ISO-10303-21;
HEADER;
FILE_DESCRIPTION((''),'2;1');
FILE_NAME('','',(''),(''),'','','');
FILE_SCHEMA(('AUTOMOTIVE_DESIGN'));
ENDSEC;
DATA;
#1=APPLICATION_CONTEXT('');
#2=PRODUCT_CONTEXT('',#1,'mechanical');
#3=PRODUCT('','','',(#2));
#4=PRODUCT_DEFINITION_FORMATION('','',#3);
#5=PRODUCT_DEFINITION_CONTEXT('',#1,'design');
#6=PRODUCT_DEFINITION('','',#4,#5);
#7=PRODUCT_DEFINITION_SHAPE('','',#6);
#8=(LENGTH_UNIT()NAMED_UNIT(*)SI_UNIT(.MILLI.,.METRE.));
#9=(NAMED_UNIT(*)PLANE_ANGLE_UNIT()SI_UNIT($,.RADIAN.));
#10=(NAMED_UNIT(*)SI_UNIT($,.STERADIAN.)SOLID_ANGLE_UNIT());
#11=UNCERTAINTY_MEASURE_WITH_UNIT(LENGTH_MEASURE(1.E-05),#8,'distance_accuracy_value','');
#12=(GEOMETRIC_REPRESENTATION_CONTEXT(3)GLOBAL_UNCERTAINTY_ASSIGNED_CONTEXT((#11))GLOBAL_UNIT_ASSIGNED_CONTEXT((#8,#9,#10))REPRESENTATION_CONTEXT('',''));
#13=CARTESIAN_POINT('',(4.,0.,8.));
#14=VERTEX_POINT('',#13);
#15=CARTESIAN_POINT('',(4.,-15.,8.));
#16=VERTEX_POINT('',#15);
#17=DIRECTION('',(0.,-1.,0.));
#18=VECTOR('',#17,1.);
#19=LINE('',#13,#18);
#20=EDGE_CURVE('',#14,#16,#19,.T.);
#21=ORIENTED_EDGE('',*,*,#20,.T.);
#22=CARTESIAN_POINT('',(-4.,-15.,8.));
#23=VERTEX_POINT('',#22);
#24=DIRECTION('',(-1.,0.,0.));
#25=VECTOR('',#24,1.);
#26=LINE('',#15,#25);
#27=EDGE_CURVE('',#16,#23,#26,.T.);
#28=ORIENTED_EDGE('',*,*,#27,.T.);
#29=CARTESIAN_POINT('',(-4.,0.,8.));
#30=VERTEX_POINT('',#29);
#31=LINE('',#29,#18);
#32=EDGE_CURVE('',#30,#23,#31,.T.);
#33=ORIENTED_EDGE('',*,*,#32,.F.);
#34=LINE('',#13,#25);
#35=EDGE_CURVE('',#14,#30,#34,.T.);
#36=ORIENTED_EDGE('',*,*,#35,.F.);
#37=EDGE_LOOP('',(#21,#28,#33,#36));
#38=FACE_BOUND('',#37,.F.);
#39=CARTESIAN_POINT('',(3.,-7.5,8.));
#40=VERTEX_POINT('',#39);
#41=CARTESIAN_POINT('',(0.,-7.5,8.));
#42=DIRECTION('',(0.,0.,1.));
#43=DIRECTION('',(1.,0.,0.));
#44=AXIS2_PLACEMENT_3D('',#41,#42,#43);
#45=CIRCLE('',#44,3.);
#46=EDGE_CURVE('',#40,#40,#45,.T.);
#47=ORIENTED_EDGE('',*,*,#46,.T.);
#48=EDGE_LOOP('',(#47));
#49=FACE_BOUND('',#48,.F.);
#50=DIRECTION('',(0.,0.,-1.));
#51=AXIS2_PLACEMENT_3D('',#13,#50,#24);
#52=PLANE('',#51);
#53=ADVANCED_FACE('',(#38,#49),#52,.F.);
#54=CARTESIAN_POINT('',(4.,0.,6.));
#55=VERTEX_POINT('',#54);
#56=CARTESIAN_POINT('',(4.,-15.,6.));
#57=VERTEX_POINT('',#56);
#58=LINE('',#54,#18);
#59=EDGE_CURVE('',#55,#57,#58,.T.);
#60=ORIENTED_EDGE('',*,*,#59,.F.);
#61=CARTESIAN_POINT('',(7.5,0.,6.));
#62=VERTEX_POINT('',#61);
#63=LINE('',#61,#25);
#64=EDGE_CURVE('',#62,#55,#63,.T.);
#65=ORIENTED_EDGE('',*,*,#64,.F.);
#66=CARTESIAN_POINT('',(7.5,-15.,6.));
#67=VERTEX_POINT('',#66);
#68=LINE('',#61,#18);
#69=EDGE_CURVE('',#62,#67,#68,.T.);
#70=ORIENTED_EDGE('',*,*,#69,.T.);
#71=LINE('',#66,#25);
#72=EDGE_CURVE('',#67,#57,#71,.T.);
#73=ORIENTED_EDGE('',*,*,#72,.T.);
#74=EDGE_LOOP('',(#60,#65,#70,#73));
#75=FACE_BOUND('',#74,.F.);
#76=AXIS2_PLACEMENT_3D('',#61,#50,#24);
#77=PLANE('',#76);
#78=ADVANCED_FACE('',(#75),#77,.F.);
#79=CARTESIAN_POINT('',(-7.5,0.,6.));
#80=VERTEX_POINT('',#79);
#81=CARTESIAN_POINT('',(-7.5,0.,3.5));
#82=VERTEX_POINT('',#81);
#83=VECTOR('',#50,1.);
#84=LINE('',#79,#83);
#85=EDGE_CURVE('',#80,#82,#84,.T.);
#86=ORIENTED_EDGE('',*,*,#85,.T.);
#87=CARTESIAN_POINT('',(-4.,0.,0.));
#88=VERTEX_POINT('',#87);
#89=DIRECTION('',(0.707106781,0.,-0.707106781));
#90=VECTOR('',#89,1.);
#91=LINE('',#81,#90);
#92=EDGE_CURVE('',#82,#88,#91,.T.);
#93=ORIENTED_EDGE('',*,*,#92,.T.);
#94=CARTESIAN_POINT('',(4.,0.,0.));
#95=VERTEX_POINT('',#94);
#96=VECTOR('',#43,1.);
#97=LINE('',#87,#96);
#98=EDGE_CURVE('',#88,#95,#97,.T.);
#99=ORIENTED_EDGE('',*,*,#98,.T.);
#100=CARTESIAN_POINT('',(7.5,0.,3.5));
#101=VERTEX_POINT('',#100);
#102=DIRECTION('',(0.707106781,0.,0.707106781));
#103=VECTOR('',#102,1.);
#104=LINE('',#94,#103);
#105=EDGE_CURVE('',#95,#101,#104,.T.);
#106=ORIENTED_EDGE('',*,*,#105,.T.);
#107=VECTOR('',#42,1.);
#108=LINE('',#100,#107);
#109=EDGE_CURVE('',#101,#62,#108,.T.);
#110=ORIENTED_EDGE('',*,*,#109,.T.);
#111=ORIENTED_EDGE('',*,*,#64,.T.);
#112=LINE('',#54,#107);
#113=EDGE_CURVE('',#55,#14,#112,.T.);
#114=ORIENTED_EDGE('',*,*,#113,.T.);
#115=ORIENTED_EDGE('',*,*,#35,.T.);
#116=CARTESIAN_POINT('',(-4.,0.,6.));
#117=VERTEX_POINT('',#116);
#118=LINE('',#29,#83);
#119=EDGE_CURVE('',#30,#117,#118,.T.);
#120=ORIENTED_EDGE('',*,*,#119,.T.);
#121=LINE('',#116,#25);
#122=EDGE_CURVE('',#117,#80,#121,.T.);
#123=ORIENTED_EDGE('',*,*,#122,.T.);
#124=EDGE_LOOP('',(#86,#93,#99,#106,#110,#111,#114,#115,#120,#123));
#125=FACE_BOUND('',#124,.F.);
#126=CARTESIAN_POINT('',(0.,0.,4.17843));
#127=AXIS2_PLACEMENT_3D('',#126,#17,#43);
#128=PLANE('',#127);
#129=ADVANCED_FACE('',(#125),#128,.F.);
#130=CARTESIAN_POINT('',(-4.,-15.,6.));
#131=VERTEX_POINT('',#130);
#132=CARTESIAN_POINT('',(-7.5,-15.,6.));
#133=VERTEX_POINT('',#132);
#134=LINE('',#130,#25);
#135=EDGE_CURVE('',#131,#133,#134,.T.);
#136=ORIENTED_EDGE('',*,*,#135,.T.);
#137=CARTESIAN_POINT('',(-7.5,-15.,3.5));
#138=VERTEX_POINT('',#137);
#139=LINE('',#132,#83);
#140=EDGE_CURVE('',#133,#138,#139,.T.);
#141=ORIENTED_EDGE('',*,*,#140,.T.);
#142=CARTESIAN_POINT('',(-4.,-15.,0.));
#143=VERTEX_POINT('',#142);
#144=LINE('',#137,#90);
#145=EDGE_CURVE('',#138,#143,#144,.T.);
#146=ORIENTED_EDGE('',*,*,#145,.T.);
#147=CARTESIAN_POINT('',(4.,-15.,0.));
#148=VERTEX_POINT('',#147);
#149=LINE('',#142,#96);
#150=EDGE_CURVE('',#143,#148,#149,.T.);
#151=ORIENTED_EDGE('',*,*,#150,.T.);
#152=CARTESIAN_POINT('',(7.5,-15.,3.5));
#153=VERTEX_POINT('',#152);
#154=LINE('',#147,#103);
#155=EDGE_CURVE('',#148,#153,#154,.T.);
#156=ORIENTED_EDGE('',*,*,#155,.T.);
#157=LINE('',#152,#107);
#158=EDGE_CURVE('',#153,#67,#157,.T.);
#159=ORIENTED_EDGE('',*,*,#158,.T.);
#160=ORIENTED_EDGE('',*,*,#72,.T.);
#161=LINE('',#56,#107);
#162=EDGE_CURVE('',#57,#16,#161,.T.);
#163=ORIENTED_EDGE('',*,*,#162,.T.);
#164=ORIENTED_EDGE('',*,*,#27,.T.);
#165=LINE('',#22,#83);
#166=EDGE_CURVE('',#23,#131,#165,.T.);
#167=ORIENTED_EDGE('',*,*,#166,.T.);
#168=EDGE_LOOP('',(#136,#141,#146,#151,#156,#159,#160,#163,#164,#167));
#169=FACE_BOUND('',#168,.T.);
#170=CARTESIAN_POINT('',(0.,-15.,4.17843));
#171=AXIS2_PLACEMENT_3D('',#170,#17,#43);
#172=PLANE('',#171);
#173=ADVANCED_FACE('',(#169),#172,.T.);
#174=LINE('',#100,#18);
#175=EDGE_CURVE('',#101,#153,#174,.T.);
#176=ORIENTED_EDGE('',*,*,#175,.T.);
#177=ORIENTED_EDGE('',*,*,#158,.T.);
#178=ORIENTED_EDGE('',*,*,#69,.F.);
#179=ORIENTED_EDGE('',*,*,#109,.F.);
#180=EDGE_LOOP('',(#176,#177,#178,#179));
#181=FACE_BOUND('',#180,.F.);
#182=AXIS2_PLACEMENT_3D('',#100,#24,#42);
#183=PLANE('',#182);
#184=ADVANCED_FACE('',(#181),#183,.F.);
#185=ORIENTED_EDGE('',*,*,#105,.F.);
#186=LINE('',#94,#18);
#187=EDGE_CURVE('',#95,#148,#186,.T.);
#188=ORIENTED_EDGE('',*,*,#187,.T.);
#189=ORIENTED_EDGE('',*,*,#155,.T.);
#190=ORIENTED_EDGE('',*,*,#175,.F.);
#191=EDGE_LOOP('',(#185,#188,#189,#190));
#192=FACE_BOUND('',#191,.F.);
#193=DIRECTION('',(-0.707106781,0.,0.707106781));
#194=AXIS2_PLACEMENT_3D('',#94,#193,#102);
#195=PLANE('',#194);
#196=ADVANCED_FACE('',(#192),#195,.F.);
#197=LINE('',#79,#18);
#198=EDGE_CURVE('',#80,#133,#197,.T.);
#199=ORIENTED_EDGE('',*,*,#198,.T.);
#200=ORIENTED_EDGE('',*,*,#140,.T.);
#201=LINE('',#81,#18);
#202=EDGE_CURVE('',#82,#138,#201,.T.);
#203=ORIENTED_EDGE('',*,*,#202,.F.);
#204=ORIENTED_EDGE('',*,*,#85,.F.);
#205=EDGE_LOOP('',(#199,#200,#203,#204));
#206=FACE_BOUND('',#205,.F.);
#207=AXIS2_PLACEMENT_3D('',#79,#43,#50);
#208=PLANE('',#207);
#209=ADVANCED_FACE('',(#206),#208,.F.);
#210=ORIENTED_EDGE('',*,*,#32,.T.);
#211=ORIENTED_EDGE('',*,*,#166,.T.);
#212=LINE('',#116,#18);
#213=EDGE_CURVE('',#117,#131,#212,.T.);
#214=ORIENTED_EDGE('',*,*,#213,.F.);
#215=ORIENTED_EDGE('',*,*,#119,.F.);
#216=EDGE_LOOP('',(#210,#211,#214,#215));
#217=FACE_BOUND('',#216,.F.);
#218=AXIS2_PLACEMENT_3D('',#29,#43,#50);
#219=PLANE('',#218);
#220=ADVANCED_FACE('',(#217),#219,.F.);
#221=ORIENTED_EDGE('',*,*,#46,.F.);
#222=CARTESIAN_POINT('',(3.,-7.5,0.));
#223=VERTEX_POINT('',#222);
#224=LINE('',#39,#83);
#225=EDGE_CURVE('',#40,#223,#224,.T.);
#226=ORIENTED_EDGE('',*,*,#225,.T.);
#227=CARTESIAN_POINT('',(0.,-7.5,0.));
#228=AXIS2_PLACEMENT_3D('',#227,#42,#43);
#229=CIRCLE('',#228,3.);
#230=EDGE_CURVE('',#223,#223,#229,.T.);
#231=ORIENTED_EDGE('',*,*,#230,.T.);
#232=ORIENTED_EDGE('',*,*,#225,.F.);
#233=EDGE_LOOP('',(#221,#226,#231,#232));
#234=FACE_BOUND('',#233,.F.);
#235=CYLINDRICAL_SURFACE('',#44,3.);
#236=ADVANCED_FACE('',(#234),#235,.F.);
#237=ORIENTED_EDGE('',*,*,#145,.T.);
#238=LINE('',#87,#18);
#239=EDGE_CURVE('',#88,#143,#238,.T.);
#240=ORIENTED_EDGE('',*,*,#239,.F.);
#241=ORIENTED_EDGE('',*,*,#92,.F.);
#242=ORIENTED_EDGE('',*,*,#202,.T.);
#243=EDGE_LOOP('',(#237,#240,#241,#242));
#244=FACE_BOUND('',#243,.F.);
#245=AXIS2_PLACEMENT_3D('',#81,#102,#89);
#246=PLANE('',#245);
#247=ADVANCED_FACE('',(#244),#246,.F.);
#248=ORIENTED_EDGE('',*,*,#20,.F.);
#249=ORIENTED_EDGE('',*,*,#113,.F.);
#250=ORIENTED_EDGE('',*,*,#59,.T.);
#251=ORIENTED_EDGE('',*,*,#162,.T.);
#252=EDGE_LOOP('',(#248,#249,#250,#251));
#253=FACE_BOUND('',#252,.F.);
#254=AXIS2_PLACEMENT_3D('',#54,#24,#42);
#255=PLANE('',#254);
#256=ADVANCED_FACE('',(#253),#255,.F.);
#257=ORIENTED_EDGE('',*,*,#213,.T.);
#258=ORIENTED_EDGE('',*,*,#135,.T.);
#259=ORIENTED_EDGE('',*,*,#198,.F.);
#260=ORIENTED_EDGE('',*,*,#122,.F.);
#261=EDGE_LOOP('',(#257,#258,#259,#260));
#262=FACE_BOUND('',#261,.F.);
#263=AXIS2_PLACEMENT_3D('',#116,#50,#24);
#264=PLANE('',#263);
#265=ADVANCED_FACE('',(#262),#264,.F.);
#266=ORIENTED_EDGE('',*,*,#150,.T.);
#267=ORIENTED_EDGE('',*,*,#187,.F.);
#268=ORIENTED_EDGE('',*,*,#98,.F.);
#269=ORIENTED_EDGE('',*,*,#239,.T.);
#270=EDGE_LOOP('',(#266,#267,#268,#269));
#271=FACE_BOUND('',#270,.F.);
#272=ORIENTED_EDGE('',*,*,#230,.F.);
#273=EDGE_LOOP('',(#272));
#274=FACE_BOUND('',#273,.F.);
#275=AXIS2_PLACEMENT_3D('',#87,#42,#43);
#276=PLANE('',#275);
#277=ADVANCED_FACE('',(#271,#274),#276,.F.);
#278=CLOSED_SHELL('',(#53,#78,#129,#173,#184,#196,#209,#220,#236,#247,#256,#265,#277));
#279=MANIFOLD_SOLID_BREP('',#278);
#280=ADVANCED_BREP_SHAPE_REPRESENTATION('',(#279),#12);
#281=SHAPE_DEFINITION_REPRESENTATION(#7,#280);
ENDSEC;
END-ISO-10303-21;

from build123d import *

# Parameters (mm, degrees)
F1_DEPTH = 15
F2_R     = 3
F3_DEPTH = 8.001


with BuildPart() as f1:
    # F0 (on Front) → F1 (new body)
    with BuildSketch(Plane.XZ):
        Polygon((-4, 0), (0, 0), (4, 0), (7.5, 3.5), (7.5, 6), (4, 6), (4, 8), (0, 8), (-4, 8), (-4, 6), (-7.5, 6), (-7.5, 3.5), align=None)
    extrude(amount=F1_DEPTH)

    # F2 (on face) → F3 (cut, through all)
    with BuildSketch(Plane.XY.offset(8)):
        with Locations((0, -7.5)):
            Circle(F2_R)
    extrude(amount=-F3_DEPTH, mode=Mode.SUBTRACT)


solid = f1.part
